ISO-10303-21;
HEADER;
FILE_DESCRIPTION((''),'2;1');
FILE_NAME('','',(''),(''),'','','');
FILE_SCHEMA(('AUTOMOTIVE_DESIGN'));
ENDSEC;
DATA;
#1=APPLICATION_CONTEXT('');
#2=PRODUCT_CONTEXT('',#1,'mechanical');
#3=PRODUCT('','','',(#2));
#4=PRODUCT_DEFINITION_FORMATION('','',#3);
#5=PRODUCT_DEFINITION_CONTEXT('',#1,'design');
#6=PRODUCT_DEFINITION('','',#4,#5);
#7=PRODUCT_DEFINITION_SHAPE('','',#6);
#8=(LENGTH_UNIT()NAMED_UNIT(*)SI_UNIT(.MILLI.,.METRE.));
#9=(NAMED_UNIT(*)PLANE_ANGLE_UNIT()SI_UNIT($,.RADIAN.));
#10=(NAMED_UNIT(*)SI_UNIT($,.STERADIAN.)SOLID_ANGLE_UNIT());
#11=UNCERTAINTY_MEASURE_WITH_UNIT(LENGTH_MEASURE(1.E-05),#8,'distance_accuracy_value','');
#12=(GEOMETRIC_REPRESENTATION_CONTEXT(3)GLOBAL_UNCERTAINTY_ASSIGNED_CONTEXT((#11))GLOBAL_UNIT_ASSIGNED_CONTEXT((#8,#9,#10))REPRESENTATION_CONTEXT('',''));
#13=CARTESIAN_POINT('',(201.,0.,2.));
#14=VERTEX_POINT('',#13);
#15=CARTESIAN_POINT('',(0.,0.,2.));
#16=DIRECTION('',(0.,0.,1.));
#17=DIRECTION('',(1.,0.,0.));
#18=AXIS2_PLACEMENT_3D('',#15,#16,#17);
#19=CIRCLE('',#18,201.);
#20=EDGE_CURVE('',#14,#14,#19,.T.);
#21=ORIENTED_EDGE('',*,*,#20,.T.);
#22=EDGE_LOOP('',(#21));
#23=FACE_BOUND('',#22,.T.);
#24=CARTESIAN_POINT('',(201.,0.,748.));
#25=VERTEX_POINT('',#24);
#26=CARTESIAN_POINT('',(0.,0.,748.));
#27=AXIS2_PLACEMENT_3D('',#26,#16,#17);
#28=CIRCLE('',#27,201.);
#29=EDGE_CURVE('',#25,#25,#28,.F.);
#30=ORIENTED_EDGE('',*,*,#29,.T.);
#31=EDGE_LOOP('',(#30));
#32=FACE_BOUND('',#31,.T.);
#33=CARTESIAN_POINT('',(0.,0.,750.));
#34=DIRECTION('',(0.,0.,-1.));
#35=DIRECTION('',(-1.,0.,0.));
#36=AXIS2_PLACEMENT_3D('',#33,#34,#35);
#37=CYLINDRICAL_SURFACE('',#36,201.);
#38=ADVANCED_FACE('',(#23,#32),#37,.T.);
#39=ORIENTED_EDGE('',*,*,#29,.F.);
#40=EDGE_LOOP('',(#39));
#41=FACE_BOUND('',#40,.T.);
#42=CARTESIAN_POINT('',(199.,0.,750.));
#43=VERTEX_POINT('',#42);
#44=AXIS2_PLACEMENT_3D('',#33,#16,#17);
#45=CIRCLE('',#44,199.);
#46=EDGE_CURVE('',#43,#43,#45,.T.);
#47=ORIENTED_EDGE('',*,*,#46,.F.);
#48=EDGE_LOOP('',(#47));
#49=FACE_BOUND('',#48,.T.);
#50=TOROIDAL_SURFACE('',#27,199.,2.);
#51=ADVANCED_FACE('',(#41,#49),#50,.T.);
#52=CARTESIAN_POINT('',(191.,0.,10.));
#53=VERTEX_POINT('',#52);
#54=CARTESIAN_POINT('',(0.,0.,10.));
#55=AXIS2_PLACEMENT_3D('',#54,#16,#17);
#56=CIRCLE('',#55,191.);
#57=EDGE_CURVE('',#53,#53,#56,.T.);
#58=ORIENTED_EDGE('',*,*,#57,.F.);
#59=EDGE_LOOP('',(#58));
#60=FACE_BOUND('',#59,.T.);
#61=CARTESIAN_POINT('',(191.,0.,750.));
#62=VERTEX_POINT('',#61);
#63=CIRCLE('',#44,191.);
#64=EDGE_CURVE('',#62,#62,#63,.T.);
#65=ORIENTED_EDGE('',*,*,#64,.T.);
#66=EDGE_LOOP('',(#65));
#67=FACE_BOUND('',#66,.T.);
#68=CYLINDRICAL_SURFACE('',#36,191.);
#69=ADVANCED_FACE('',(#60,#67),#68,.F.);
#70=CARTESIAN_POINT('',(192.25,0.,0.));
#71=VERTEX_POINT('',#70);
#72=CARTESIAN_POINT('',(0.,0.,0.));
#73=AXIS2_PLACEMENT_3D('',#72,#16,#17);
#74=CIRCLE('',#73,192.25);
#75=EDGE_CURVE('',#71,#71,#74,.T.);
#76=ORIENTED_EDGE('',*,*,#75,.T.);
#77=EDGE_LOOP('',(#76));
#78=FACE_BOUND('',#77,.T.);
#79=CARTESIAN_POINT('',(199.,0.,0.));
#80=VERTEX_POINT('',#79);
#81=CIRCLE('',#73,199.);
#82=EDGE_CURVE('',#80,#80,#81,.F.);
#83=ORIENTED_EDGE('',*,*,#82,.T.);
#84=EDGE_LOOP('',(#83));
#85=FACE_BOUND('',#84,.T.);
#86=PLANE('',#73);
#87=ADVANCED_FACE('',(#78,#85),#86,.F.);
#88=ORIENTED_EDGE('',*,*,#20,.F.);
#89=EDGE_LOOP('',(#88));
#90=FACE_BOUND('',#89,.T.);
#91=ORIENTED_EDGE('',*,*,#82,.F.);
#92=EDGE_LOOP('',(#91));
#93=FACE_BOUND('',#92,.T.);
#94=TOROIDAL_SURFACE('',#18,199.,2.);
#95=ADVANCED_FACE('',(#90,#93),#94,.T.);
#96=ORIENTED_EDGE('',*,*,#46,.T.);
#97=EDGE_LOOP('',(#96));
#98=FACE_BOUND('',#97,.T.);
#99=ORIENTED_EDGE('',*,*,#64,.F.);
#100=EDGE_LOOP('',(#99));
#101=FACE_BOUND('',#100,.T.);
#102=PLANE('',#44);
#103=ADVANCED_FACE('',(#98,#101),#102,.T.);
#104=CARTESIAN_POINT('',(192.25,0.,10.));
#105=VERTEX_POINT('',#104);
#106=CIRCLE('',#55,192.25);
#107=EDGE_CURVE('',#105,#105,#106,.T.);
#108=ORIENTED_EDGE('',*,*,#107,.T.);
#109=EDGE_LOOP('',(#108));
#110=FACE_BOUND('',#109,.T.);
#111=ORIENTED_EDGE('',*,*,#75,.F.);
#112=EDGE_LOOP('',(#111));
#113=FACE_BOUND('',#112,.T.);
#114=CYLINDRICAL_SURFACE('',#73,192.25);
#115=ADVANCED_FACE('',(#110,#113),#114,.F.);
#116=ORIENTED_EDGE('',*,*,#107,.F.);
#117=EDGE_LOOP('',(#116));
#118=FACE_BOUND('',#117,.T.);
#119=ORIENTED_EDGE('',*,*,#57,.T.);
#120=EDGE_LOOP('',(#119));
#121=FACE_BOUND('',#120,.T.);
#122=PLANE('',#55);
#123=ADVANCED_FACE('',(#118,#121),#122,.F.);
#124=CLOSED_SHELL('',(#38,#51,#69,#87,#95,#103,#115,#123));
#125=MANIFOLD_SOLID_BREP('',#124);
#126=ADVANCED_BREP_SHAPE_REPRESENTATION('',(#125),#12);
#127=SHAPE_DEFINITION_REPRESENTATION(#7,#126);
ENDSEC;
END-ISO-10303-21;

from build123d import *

# Parameters (mm, degrees)
SKETCH2_R           = 201
BOSS_EXTRUDE1_DEPTH = 750
SHELL1_T            = -10
SKETCH3_R           = 192.25
CUT_EXTRUDE1_DEPTH  = 793.718108788
FILLET2_R           = 2
FILLET3_R           = 2


with BuildPart() as part:
    # Sketch2 → Boss-Extrude1 (new body)
    with BuildSketch(Plane.XY):
        Circle(SKETCH2_R)
    extrude(amount=BOSS_EXTRUDE1_DEPTH)

    # Shell1
    shell1_openings = [part.faces().sort_by_distance(p)[0] for p in [
        (0, 0, 750),
    ]]
    offset(amount=SHELL1_T, openings=shell1_openings, kind=Kind.INTERSECTION)

    # Sketch3 → Cut-Extrude1 (cut, through all)
    with BuildSketch(Plane.XY.offset(10)):
        Circle(SKETCH3_R)
    extrude(amount=-CUT_EXTRUDE1_DEPTH, mode=Mode.SUBTRACT)

    # Fillet2
    fillet2_edges = [part.edges().sort_by_distance(p)[0] for p in [
        (-201, 0, 0),
    ]]
    fillet(fillet2_edges, radius=FILLET2_R)

    # Fillet3
    fillet3_edges = [part.edges().sort_by_distance(p)[0] for p in [
        (-201, 0, 750),
    ]]
    fillet(fillet3_edges, radius=FILLET3_R)


solid = part.part
